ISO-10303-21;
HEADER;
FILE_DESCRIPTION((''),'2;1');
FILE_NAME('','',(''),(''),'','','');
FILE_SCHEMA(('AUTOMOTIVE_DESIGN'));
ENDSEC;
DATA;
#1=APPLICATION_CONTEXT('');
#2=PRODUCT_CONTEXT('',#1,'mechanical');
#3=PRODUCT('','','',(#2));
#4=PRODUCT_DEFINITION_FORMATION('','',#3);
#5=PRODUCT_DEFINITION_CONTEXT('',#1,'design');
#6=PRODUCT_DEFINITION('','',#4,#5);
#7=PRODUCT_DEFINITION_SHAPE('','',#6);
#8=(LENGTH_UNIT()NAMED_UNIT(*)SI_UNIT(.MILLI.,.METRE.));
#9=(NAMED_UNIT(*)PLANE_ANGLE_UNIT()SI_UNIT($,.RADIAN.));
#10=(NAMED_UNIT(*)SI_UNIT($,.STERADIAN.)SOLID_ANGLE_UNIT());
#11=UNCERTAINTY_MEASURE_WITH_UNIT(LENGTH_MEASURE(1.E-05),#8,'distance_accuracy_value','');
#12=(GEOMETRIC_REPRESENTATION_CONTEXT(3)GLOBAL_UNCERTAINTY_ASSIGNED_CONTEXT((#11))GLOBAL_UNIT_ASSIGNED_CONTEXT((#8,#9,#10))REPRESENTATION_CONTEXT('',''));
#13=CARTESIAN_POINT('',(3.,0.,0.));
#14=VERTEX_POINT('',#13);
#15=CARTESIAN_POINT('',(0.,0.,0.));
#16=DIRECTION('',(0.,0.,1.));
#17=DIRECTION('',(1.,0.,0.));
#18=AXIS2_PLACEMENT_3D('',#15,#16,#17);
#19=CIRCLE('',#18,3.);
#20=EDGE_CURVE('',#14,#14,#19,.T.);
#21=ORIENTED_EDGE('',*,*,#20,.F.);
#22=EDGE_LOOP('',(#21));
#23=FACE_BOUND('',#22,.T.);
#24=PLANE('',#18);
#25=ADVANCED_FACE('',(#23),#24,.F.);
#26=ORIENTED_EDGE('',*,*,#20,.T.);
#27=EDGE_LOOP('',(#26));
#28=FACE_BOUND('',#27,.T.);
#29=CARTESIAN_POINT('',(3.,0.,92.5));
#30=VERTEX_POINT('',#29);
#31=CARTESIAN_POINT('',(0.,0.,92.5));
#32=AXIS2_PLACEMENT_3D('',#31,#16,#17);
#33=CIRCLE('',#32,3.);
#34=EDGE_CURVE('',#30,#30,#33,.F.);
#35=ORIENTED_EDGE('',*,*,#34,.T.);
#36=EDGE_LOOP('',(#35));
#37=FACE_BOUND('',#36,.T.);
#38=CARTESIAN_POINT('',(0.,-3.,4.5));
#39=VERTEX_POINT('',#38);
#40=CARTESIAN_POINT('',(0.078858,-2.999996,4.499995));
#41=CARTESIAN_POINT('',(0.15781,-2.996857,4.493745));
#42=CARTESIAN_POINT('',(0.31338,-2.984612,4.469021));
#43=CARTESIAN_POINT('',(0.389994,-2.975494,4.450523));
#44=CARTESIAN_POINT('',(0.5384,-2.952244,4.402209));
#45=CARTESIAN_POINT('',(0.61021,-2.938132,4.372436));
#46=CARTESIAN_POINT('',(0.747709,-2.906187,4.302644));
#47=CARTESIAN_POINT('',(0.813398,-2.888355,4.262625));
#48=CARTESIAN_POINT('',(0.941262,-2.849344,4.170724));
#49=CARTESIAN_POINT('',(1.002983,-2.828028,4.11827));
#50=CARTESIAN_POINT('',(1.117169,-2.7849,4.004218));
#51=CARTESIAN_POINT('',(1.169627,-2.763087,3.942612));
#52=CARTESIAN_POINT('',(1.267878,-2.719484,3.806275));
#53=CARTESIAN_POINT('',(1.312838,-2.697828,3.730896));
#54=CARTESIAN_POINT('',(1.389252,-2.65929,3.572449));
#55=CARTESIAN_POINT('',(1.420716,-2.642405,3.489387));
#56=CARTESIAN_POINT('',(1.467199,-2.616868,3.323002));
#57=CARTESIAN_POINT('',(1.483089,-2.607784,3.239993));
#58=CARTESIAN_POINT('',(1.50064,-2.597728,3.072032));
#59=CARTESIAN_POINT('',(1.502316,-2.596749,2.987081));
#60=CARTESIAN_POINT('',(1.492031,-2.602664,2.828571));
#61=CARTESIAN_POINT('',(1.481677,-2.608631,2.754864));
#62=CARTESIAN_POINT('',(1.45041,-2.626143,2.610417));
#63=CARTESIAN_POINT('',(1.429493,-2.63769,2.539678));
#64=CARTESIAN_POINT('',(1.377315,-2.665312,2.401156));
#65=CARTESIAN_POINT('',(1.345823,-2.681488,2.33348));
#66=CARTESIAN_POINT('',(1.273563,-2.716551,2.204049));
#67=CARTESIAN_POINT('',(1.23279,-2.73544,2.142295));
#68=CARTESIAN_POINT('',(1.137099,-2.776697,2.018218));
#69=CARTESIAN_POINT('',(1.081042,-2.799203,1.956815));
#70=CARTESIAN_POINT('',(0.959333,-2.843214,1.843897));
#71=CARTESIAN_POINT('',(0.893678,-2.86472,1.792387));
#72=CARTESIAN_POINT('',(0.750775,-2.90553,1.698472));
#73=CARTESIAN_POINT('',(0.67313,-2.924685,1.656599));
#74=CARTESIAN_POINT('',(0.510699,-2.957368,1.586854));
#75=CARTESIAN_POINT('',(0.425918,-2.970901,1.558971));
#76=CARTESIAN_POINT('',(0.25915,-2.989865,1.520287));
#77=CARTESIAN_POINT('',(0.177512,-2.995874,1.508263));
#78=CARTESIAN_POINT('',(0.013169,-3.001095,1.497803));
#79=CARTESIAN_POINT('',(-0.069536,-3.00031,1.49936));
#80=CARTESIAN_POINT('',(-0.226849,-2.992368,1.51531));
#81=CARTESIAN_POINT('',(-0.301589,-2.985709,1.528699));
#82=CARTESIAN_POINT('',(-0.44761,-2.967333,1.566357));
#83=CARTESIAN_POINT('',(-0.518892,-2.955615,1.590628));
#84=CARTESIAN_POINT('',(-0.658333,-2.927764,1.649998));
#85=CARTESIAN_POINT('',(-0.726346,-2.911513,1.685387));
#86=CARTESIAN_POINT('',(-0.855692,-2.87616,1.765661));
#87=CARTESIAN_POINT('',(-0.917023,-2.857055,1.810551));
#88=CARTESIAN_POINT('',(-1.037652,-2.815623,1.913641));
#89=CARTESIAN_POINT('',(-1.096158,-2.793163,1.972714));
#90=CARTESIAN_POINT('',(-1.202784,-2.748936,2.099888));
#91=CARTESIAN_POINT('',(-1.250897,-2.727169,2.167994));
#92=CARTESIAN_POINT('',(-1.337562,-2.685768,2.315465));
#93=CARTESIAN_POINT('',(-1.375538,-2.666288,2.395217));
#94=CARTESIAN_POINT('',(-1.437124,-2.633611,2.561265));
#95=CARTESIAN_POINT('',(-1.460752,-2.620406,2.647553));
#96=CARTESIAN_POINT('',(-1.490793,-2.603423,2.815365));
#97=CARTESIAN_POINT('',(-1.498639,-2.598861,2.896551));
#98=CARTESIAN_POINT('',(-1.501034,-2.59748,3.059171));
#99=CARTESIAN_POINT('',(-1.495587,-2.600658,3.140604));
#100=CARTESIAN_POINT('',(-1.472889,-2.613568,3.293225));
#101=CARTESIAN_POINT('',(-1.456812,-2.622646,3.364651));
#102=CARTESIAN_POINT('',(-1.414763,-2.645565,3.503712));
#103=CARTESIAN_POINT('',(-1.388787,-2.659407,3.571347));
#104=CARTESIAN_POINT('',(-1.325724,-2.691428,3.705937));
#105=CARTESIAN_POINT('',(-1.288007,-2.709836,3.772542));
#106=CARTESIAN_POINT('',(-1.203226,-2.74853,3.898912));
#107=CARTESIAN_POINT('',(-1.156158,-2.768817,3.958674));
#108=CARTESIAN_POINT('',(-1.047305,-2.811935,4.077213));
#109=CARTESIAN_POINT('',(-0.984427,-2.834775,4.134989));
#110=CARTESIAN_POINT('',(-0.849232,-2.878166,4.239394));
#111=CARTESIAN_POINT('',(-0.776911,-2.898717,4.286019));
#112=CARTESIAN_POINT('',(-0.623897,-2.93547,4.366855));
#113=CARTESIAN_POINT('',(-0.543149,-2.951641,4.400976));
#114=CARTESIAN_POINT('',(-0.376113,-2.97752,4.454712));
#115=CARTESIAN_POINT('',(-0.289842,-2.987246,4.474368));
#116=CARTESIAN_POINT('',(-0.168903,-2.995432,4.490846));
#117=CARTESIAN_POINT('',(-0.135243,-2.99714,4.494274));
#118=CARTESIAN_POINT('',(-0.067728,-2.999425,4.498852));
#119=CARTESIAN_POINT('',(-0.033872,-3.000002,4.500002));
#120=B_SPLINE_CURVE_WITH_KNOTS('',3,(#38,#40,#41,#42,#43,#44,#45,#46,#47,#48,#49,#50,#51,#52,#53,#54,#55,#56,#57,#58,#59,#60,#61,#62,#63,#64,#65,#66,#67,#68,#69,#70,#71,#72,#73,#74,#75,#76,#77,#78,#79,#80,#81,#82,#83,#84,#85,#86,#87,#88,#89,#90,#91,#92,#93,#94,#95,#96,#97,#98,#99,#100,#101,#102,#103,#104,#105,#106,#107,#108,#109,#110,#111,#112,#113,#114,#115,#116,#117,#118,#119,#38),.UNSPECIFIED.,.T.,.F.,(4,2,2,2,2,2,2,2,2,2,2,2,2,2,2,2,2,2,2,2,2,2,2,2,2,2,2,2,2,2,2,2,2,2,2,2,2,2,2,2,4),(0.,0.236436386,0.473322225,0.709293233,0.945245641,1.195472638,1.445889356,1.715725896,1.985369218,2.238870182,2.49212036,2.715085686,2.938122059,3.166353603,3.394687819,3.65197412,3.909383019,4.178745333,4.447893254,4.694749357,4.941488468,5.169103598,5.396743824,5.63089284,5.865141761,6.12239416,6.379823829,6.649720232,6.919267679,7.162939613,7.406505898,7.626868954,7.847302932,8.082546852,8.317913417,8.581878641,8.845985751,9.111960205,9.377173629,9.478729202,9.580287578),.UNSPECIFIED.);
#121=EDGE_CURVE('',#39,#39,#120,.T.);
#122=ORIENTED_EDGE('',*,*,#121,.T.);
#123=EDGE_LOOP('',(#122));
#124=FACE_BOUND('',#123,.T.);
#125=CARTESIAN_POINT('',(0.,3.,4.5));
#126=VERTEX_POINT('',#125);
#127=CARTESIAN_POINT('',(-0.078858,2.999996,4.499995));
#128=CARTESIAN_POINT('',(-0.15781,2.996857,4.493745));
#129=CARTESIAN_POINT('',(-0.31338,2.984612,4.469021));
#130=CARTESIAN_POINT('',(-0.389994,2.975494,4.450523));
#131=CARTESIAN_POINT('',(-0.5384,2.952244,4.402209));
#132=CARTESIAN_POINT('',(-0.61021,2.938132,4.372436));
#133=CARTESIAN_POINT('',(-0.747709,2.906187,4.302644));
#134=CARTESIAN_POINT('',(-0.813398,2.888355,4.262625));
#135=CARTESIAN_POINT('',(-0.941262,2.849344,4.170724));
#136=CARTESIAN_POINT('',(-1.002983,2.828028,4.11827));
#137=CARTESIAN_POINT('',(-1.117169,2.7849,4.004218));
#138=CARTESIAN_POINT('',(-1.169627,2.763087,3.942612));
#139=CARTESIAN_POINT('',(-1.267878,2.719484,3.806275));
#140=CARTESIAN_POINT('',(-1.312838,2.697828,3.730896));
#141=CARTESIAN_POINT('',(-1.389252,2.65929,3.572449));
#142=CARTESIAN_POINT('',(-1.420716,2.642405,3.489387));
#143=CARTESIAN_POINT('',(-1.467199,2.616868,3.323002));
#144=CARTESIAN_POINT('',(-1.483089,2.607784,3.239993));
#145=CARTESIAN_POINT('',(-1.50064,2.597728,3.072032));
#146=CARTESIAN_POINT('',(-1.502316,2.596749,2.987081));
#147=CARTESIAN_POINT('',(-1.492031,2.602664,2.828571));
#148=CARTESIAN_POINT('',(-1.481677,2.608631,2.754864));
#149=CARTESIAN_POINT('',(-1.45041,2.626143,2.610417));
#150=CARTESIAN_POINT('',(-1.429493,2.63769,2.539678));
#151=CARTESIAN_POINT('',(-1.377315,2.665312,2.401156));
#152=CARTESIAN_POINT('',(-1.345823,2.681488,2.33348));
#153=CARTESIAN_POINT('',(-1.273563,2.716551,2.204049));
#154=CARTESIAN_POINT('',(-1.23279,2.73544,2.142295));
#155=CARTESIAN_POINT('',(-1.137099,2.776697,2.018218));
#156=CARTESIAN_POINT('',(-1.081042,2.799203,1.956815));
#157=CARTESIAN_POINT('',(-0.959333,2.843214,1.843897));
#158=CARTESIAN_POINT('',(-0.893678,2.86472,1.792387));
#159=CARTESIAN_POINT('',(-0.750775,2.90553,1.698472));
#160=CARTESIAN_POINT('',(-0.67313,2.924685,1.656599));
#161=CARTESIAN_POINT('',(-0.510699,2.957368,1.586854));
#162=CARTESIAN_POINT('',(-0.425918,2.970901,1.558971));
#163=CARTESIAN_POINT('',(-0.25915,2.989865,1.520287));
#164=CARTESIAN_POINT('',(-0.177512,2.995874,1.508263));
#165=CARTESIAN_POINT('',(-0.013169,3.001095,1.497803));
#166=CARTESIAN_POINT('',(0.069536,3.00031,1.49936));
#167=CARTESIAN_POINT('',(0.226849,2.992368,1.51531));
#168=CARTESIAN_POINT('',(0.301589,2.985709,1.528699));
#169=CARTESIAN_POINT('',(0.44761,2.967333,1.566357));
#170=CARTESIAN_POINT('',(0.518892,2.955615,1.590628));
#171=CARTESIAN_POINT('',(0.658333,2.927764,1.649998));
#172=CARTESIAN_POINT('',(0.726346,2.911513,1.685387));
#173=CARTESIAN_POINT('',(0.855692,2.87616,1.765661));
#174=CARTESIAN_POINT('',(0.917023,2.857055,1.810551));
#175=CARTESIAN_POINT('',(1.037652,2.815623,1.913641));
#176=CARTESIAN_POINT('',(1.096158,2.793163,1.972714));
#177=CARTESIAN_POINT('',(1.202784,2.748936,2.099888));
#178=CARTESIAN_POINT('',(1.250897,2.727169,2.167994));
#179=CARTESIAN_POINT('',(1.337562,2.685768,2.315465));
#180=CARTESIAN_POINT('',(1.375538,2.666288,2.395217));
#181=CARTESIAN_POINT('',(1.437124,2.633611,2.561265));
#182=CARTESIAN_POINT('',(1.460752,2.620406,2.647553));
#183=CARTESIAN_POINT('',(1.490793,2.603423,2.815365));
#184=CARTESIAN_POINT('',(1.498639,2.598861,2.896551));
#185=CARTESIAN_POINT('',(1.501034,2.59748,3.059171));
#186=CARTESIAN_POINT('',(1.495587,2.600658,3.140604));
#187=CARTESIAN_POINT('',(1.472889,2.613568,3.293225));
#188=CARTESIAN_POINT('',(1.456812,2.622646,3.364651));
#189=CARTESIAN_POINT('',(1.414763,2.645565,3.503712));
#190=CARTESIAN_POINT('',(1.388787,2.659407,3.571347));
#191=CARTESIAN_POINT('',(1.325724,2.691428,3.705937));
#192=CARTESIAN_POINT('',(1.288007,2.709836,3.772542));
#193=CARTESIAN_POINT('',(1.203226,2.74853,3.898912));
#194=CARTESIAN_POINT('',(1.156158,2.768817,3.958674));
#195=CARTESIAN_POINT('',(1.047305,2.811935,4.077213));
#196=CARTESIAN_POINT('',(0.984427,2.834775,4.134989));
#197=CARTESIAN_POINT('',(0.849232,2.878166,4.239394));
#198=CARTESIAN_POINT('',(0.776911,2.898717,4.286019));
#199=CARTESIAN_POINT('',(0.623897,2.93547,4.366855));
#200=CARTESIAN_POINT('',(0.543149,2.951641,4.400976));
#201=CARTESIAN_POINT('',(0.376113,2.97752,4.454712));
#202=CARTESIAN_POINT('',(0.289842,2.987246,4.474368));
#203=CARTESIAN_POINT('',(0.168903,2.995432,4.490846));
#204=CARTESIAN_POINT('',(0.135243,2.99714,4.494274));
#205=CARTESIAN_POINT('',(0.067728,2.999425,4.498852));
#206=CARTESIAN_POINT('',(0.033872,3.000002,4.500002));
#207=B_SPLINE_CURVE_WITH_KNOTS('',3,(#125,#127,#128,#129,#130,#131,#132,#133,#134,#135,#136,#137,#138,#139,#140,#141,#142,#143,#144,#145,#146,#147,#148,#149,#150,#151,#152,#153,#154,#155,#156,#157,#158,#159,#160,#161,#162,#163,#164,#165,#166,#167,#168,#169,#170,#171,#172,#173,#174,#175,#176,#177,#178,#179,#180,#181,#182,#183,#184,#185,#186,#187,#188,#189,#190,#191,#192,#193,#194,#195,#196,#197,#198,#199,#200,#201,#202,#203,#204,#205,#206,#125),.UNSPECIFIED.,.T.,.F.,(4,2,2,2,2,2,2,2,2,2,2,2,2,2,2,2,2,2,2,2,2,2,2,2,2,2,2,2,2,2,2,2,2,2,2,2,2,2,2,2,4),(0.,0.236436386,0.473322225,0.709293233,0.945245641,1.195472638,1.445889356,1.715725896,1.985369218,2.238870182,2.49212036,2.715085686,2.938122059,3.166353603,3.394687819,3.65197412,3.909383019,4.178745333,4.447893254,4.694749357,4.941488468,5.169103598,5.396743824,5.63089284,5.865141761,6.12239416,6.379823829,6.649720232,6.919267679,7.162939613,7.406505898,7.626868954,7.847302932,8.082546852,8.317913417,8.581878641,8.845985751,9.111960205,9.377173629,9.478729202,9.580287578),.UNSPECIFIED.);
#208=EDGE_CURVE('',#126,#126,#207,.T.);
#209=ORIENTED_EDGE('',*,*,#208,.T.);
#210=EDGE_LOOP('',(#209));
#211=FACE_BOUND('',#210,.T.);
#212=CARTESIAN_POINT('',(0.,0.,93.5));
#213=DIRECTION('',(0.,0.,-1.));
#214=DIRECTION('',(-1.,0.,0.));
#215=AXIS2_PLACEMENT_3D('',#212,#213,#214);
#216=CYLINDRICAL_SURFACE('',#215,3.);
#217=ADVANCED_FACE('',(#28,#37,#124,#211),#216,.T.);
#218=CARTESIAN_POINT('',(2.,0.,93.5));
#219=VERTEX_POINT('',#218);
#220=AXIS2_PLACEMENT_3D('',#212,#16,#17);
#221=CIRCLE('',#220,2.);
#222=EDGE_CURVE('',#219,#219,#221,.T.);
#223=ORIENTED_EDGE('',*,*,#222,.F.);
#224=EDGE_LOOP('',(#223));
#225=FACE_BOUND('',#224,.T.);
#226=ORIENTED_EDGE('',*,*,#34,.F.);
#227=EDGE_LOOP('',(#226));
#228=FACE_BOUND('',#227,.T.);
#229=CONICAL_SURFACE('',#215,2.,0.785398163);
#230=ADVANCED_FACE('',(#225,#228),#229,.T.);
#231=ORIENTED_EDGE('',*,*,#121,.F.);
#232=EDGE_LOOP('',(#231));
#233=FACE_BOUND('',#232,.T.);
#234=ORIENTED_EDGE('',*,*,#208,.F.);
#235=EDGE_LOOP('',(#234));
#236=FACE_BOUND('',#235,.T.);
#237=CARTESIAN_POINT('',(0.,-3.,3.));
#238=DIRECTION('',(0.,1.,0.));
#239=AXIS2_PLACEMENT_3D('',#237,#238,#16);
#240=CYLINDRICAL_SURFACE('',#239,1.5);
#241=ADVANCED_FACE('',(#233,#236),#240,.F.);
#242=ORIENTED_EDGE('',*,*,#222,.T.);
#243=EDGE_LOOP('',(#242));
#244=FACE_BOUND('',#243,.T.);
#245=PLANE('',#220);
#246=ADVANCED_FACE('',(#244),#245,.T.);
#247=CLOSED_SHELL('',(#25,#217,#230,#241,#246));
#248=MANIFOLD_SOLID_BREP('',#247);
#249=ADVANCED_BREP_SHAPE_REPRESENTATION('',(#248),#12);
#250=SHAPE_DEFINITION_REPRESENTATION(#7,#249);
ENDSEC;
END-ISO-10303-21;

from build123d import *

# Parameters (mm, degrees)
ESQUISSE1_R                  = 3
BOSS_EXTRU_1_DEPTH           = 93.5
ENL_V_MAT_EXTRU_1_DEPTH      = 94.596207188
ENL_V_MAT_EXTRU_1_DEPTH_BACK = 94.596207188
ESQUISSE2_R                  = 1.5
CHANFREIN1_SIZE              = 1


with BuildPart() as part:
    # Esquisse1 → Boss.-Extru.1 (new body)
    with BuildSketch(Plane.XY):
        Circle(ESQUISSE1_R)
    extrude(amount=BOSS_EXTRU_1_DEPTH)

    # Esquisse2 → Enlèv. mat.-Extru.1 (cut, two sides: drawn at the far end of the back side and taken through both)
    with BuildSketch(Plane(origin=(0, 0, 0), x_dir=(1, 0, 0), z_dir=(0, 1, 0)).offset(-ENL_V_MAT_EXTRU_1_DEPTH_BACK)):
        with Locations(Location((0, -3, 0), (0, 0, 270))):
            Circle(ESQUISSE2_R)
    extrude(amount=ENL_V_MAT_EXTRU_1_DEPTH + ENL_V_MAT_EXTRU_1_DEPTH_BACK, mode=Mode.SUBTRACT)

    # Chanfrein1
    chanfrein1_edges = [part.edges().sort_by_distance(p)[0] for p in [
        (-3, 0, 93.5),
    ]]
    chamfer(chanfrein1_edges, length=CHANFREIN1_SIZE)


solid = part.part
